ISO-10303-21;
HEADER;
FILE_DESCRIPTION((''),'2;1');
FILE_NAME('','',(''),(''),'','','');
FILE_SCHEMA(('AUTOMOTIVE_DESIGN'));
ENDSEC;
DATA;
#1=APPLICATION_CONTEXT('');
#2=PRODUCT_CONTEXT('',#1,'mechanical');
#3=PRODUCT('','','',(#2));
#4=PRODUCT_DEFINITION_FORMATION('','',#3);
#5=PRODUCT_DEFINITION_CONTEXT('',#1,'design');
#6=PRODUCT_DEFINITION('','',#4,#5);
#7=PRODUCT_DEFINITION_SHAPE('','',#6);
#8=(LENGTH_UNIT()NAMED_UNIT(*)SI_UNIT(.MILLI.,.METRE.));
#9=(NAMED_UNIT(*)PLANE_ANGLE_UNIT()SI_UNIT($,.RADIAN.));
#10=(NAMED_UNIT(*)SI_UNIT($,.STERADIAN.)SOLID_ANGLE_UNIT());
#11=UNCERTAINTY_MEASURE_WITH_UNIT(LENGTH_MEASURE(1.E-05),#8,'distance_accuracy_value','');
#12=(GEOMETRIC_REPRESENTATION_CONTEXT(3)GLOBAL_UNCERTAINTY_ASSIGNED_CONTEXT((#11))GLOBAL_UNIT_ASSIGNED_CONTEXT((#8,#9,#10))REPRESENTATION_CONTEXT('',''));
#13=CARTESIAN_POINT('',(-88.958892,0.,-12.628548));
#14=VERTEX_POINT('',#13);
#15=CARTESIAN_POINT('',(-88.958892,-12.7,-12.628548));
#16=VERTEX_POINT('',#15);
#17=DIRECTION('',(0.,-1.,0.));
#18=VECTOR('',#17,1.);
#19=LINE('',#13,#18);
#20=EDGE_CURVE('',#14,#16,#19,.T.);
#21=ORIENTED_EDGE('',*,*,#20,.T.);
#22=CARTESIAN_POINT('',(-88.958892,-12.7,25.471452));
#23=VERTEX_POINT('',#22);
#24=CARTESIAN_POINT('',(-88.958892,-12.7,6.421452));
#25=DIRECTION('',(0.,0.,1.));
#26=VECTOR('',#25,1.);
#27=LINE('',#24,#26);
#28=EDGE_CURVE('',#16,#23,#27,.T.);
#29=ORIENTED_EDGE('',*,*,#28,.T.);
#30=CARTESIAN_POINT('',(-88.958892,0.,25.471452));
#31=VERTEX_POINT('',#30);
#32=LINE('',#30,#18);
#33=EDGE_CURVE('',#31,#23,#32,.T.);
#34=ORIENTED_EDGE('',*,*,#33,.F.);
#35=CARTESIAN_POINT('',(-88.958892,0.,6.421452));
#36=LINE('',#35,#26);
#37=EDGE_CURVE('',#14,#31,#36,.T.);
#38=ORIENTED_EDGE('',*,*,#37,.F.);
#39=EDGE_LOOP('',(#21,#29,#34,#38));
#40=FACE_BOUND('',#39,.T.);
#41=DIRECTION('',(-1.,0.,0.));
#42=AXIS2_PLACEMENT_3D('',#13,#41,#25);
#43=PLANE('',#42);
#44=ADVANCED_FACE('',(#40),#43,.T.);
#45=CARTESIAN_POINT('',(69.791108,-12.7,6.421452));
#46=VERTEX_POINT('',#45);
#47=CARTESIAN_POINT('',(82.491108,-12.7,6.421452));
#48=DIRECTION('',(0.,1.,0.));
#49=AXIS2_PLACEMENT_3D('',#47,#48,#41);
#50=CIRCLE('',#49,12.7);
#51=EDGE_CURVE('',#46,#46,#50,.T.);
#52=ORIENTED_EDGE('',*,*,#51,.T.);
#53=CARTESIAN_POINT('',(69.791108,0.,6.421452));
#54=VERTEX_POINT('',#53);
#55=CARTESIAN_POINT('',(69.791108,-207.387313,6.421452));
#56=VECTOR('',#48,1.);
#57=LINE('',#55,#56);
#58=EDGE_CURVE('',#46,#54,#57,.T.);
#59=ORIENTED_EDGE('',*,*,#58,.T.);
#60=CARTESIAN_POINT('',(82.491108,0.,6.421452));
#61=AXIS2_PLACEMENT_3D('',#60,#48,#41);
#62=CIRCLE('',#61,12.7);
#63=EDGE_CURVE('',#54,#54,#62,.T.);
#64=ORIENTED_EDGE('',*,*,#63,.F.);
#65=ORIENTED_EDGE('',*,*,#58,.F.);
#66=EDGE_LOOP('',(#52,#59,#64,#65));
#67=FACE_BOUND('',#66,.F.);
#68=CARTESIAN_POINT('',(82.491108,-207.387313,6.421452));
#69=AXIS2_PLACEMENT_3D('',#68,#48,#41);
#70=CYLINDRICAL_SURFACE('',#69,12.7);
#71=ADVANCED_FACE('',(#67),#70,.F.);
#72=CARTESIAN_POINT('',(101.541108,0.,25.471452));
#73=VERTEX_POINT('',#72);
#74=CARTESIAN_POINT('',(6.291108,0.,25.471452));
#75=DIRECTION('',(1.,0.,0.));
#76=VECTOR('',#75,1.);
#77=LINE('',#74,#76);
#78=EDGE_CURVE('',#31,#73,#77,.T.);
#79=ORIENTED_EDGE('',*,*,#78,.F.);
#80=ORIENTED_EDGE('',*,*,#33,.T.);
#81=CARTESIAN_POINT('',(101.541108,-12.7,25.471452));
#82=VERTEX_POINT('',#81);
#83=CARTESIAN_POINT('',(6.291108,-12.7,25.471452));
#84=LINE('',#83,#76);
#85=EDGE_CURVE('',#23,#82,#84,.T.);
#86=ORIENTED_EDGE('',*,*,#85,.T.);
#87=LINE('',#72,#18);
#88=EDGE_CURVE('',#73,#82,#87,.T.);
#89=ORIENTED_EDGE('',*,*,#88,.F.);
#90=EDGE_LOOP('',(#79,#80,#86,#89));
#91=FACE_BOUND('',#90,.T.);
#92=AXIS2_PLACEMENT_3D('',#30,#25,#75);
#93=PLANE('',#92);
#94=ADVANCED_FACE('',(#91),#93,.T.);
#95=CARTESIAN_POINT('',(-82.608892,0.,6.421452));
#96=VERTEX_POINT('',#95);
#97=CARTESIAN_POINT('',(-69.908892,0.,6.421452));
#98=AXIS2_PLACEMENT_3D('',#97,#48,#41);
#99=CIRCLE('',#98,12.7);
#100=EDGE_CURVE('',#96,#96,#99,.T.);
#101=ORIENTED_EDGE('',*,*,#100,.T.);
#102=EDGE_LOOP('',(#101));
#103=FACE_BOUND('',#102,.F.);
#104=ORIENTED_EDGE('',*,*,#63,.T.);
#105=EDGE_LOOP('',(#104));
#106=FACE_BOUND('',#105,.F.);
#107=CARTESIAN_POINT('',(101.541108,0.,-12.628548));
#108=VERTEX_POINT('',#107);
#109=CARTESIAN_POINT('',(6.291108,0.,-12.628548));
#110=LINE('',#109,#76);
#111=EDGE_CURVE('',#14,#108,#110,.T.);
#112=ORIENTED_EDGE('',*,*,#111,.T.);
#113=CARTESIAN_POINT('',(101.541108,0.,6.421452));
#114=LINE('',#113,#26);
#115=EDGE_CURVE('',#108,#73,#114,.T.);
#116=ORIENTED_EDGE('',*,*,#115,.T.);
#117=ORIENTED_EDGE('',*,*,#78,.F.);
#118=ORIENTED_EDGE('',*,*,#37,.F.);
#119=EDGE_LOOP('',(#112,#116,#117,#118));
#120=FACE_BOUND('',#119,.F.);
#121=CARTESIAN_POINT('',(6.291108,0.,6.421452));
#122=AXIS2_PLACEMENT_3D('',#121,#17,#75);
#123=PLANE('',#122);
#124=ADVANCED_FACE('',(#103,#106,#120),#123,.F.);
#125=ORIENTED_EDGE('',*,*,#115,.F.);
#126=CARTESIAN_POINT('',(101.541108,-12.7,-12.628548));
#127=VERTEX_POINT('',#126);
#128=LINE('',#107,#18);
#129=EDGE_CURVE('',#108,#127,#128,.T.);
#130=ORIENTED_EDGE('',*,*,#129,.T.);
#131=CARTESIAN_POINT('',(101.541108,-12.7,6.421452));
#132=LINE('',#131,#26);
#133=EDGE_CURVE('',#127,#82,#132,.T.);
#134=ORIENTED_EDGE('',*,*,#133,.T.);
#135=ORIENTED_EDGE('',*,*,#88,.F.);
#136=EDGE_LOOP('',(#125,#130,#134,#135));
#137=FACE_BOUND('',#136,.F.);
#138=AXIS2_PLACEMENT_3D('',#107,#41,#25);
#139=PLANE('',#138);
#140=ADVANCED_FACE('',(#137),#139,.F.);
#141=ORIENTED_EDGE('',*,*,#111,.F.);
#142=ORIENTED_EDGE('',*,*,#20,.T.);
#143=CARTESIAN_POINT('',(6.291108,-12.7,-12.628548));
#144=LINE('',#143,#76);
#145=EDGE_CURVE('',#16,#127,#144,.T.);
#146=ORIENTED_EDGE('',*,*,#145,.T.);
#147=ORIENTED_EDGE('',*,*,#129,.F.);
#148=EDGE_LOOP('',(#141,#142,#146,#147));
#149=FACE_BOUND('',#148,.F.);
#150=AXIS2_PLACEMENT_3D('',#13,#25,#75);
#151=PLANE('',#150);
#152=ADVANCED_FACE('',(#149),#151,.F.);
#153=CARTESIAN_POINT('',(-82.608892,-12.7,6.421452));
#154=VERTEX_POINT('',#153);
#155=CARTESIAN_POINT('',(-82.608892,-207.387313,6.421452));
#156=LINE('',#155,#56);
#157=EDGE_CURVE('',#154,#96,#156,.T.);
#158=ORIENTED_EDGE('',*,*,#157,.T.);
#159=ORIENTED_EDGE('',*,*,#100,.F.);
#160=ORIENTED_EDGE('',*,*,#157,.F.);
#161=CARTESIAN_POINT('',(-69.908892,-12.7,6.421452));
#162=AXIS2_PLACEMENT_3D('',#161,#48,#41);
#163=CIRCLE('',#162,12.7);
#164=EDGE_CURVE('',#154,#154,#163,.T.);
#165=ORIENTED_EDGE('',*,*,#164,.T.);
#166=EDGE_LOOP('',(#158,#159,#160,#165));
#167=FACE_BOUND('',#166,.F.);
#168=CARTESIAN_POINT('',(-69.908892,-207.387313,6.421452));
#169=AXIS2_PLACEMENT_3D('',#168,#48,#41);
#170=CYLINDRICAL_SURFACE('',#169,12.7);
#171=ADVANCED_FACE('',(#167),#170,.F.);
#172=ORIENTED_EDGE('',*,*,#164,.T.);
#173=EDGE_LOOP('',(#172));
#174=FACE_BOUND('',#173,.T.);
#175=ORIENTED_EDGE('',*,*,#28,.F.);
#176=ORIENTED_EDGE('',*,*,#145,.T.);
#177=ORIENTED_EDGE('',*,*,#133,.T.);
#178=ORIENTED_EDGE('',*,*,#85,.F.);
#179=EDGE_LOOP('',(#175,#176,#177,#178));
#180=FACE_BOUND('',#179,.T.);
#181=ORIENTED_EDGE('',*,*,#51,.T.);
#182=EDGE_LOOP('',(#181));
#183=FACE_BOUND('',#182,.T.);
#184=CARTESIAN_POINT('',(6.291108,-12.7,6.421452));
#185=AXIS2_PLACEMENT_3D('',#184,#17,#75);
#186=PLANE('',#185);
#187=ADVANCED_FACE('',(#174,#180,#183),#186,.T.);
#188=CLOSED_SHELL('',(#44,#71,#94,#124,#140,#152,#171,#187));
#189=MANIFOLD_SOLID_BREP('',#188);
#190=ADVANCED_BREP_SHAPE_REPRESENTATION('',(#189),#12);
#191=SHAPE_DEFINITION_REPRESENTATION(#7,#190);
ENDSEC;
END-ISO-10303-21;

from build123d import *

# Parameters (mm, degrees)
F0_W     = 190.5
F0_H     = 38.1
F1_DEPTH = 12.7
F3_D     = 25.4


with BuildPart() as f1:
    # F0 (on Front) → F1 (new body)
    with BuildSketch(Plane.XZ):
        with Locations((6.291108, 6.421452)):
            Rectangle(F0_W, F0_H)
    extrude(amount=F1_DEPTH)

    # F3 (through all)
    with Locations(Plane.XZ.offset(12.7)):
        with Locations((-69.908892, 6.421452), (82.491108, 6.421452)):
            Hole(F3_D / 2)


solid = f1.part
